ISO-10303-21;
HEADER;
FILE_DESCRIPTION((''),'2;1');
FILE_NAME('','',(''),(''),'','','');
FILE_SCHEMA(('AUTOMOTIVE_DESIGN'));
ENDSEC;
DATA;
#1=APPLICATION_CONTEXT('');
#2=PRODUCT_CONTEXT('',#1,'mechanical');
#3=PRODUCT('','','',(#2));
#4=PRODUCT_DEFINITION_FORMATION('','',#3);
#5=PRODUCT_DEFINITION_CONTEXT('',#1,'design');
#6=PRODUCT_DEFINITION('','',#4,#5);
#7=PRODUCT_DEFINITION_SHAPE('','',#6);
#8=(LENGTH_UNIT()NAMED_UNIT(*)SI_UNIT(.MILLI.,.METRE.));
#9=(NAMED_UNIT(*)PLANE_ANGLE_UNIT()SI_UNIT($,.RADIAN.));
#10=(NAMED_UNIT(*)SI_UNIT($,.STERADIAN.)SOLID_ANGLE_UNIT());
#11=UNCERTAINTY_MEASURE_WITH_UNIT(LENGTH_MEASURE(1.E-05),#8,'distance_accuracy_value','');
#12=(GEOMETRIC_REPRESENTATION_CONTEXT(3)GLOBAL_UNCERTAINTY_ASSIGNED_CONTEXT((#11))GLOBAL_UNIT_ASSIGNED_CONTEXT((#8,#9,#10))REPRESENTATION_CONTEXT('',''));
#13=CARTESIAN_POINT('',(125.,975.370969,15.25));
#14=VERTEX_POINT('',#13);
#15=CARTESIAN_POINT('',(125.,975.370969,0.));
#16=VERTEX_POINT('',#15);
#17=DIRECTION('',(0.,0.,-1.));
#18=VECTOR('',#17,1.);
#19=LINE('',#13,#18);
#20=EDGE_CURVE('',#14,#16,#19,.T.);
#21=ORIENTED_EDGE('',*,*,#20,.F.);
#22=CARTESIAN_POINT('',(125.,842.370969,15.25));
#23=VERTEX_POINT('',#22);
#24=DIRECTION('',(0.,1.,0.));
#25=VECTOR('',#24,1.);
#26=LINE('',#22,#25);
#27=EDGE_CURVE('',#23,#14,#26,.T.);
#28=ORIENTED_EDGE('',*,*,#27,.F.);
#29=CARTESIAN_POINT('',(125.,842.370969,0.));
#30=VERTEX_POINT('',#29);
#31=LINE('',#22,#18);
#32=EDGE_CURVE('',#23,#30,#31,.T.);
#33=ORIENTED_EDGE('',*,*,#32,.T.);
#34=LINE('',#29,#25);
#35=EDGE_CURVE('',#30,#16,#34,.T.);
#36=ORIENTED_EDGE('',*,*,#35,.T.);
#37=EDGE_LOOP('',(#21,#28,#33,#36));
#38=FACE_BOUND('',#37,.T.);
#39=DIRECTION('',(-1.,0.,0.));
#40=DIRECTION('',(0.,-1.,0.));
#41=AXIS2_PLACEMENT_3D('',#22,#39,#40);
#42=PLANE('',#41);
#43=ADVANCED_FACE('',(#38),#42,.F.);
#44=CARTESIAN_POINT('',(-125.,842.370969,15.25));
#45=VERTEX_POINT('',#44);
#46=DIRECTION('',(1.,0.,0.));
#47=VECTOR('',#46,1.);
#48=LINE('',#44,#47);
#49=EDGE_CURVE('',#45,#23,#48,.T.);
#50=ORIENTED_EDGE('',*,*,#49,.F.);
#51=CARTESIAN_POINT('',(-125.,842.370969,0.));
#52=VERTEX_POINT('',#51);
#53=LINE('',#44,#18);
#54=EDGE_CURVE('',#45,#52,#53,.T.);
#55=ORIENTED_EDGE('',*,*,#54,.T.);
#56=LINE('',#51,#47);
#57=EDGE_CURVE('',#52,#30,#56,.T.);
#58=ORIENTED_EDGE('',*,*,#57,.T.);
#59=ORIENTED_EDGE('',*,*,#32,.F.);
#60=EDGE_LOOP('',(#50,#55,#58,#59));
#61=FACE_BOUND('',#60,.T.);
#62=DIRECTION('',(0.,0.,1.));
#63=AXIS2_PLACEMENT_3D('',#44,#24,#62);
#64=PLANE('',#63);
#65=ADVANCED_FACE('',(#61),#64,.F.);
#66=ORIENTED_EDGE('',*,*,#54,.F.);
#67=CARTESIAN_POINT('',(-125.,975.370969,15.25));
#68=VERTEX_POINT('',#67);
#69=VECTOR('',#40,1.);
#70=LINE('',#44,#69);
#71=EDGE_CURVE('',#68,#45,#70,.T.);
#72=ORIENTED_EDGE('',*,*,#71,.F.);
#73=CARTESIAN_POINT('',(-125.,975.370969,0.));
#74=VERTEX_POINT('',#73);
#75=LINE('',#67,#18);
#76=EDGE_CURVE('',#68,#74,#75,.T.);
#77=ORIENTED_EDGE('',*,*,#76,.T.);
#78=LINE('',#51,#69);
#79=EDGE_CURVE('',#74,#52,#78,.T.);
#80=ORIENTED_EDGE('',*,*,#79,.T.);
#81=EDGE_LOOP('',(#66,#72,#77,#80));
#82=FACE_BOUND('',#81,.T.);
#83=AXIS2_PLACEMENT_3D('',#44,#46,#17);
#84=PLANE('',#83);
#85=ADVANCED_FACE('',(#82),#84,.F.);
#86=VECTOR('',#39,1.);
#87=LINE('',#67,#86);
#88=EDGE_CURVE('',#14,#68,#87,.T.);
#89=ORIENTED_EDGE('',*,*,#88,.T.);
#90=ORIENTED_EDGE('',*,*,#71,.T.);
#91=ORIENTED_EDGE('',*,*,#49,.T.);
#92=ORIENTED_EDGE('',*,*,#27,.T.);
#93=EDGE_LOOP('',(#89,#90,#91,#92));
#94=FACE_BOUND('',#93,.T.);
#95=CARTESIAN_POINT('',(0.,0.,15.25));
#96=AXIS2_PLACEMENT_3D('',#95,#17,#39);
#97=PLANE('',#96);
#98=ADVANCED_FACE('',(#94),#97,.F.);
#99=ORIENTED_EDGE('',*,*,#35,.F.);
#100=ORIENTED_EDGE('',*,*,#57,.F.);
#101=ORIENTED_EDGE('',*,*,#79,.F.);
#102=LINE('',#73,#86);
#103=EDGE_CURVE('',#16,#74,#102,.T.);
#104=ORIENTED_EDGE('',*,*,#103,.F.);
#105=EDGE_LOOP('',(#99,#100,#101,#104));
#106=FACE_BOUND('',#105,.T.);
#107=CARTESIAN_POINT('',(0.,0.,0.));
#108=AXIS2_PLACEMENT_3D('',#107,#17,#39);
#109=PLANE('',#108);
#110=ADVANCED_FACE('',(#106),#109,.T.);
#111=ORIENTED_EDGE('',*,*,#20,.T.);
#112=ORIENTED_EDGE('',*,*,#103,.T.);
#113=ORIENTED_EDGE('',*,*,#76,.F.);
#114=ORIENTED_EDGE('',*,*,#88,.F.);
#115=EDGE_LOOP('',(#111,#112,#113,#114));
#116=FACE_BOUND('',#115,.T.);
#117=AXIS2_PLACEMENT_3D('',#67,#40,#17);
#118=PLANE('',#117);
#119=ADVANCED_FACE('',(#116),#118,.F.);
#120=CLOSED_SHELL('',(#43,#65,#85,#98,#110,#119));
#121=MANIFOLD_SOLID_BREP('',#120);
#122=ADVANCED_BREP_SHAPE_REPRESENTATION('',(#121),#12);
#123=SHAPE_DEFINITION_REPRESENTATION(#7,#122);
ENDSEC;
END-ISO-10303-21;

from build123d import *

# Parameters (mm, degrees)
ESQUISSE1_W        = 250
ESQUISSE1_H        = 133
BOSS_EXTRU_1_DEPTH = 15.25


with BuildPart() as part:
    # Esquisse1 → Boss.-Extru.1 (new body)
    with BuildSketch(Plane.XY):
        with Locations((0, 908.870969311)):
            Rectangle(ESQUISSE1_W, ESQUISSE1_H)
    extrude(amount=BOSS_EXTRU_1_DEPTH)


solid = part.part
